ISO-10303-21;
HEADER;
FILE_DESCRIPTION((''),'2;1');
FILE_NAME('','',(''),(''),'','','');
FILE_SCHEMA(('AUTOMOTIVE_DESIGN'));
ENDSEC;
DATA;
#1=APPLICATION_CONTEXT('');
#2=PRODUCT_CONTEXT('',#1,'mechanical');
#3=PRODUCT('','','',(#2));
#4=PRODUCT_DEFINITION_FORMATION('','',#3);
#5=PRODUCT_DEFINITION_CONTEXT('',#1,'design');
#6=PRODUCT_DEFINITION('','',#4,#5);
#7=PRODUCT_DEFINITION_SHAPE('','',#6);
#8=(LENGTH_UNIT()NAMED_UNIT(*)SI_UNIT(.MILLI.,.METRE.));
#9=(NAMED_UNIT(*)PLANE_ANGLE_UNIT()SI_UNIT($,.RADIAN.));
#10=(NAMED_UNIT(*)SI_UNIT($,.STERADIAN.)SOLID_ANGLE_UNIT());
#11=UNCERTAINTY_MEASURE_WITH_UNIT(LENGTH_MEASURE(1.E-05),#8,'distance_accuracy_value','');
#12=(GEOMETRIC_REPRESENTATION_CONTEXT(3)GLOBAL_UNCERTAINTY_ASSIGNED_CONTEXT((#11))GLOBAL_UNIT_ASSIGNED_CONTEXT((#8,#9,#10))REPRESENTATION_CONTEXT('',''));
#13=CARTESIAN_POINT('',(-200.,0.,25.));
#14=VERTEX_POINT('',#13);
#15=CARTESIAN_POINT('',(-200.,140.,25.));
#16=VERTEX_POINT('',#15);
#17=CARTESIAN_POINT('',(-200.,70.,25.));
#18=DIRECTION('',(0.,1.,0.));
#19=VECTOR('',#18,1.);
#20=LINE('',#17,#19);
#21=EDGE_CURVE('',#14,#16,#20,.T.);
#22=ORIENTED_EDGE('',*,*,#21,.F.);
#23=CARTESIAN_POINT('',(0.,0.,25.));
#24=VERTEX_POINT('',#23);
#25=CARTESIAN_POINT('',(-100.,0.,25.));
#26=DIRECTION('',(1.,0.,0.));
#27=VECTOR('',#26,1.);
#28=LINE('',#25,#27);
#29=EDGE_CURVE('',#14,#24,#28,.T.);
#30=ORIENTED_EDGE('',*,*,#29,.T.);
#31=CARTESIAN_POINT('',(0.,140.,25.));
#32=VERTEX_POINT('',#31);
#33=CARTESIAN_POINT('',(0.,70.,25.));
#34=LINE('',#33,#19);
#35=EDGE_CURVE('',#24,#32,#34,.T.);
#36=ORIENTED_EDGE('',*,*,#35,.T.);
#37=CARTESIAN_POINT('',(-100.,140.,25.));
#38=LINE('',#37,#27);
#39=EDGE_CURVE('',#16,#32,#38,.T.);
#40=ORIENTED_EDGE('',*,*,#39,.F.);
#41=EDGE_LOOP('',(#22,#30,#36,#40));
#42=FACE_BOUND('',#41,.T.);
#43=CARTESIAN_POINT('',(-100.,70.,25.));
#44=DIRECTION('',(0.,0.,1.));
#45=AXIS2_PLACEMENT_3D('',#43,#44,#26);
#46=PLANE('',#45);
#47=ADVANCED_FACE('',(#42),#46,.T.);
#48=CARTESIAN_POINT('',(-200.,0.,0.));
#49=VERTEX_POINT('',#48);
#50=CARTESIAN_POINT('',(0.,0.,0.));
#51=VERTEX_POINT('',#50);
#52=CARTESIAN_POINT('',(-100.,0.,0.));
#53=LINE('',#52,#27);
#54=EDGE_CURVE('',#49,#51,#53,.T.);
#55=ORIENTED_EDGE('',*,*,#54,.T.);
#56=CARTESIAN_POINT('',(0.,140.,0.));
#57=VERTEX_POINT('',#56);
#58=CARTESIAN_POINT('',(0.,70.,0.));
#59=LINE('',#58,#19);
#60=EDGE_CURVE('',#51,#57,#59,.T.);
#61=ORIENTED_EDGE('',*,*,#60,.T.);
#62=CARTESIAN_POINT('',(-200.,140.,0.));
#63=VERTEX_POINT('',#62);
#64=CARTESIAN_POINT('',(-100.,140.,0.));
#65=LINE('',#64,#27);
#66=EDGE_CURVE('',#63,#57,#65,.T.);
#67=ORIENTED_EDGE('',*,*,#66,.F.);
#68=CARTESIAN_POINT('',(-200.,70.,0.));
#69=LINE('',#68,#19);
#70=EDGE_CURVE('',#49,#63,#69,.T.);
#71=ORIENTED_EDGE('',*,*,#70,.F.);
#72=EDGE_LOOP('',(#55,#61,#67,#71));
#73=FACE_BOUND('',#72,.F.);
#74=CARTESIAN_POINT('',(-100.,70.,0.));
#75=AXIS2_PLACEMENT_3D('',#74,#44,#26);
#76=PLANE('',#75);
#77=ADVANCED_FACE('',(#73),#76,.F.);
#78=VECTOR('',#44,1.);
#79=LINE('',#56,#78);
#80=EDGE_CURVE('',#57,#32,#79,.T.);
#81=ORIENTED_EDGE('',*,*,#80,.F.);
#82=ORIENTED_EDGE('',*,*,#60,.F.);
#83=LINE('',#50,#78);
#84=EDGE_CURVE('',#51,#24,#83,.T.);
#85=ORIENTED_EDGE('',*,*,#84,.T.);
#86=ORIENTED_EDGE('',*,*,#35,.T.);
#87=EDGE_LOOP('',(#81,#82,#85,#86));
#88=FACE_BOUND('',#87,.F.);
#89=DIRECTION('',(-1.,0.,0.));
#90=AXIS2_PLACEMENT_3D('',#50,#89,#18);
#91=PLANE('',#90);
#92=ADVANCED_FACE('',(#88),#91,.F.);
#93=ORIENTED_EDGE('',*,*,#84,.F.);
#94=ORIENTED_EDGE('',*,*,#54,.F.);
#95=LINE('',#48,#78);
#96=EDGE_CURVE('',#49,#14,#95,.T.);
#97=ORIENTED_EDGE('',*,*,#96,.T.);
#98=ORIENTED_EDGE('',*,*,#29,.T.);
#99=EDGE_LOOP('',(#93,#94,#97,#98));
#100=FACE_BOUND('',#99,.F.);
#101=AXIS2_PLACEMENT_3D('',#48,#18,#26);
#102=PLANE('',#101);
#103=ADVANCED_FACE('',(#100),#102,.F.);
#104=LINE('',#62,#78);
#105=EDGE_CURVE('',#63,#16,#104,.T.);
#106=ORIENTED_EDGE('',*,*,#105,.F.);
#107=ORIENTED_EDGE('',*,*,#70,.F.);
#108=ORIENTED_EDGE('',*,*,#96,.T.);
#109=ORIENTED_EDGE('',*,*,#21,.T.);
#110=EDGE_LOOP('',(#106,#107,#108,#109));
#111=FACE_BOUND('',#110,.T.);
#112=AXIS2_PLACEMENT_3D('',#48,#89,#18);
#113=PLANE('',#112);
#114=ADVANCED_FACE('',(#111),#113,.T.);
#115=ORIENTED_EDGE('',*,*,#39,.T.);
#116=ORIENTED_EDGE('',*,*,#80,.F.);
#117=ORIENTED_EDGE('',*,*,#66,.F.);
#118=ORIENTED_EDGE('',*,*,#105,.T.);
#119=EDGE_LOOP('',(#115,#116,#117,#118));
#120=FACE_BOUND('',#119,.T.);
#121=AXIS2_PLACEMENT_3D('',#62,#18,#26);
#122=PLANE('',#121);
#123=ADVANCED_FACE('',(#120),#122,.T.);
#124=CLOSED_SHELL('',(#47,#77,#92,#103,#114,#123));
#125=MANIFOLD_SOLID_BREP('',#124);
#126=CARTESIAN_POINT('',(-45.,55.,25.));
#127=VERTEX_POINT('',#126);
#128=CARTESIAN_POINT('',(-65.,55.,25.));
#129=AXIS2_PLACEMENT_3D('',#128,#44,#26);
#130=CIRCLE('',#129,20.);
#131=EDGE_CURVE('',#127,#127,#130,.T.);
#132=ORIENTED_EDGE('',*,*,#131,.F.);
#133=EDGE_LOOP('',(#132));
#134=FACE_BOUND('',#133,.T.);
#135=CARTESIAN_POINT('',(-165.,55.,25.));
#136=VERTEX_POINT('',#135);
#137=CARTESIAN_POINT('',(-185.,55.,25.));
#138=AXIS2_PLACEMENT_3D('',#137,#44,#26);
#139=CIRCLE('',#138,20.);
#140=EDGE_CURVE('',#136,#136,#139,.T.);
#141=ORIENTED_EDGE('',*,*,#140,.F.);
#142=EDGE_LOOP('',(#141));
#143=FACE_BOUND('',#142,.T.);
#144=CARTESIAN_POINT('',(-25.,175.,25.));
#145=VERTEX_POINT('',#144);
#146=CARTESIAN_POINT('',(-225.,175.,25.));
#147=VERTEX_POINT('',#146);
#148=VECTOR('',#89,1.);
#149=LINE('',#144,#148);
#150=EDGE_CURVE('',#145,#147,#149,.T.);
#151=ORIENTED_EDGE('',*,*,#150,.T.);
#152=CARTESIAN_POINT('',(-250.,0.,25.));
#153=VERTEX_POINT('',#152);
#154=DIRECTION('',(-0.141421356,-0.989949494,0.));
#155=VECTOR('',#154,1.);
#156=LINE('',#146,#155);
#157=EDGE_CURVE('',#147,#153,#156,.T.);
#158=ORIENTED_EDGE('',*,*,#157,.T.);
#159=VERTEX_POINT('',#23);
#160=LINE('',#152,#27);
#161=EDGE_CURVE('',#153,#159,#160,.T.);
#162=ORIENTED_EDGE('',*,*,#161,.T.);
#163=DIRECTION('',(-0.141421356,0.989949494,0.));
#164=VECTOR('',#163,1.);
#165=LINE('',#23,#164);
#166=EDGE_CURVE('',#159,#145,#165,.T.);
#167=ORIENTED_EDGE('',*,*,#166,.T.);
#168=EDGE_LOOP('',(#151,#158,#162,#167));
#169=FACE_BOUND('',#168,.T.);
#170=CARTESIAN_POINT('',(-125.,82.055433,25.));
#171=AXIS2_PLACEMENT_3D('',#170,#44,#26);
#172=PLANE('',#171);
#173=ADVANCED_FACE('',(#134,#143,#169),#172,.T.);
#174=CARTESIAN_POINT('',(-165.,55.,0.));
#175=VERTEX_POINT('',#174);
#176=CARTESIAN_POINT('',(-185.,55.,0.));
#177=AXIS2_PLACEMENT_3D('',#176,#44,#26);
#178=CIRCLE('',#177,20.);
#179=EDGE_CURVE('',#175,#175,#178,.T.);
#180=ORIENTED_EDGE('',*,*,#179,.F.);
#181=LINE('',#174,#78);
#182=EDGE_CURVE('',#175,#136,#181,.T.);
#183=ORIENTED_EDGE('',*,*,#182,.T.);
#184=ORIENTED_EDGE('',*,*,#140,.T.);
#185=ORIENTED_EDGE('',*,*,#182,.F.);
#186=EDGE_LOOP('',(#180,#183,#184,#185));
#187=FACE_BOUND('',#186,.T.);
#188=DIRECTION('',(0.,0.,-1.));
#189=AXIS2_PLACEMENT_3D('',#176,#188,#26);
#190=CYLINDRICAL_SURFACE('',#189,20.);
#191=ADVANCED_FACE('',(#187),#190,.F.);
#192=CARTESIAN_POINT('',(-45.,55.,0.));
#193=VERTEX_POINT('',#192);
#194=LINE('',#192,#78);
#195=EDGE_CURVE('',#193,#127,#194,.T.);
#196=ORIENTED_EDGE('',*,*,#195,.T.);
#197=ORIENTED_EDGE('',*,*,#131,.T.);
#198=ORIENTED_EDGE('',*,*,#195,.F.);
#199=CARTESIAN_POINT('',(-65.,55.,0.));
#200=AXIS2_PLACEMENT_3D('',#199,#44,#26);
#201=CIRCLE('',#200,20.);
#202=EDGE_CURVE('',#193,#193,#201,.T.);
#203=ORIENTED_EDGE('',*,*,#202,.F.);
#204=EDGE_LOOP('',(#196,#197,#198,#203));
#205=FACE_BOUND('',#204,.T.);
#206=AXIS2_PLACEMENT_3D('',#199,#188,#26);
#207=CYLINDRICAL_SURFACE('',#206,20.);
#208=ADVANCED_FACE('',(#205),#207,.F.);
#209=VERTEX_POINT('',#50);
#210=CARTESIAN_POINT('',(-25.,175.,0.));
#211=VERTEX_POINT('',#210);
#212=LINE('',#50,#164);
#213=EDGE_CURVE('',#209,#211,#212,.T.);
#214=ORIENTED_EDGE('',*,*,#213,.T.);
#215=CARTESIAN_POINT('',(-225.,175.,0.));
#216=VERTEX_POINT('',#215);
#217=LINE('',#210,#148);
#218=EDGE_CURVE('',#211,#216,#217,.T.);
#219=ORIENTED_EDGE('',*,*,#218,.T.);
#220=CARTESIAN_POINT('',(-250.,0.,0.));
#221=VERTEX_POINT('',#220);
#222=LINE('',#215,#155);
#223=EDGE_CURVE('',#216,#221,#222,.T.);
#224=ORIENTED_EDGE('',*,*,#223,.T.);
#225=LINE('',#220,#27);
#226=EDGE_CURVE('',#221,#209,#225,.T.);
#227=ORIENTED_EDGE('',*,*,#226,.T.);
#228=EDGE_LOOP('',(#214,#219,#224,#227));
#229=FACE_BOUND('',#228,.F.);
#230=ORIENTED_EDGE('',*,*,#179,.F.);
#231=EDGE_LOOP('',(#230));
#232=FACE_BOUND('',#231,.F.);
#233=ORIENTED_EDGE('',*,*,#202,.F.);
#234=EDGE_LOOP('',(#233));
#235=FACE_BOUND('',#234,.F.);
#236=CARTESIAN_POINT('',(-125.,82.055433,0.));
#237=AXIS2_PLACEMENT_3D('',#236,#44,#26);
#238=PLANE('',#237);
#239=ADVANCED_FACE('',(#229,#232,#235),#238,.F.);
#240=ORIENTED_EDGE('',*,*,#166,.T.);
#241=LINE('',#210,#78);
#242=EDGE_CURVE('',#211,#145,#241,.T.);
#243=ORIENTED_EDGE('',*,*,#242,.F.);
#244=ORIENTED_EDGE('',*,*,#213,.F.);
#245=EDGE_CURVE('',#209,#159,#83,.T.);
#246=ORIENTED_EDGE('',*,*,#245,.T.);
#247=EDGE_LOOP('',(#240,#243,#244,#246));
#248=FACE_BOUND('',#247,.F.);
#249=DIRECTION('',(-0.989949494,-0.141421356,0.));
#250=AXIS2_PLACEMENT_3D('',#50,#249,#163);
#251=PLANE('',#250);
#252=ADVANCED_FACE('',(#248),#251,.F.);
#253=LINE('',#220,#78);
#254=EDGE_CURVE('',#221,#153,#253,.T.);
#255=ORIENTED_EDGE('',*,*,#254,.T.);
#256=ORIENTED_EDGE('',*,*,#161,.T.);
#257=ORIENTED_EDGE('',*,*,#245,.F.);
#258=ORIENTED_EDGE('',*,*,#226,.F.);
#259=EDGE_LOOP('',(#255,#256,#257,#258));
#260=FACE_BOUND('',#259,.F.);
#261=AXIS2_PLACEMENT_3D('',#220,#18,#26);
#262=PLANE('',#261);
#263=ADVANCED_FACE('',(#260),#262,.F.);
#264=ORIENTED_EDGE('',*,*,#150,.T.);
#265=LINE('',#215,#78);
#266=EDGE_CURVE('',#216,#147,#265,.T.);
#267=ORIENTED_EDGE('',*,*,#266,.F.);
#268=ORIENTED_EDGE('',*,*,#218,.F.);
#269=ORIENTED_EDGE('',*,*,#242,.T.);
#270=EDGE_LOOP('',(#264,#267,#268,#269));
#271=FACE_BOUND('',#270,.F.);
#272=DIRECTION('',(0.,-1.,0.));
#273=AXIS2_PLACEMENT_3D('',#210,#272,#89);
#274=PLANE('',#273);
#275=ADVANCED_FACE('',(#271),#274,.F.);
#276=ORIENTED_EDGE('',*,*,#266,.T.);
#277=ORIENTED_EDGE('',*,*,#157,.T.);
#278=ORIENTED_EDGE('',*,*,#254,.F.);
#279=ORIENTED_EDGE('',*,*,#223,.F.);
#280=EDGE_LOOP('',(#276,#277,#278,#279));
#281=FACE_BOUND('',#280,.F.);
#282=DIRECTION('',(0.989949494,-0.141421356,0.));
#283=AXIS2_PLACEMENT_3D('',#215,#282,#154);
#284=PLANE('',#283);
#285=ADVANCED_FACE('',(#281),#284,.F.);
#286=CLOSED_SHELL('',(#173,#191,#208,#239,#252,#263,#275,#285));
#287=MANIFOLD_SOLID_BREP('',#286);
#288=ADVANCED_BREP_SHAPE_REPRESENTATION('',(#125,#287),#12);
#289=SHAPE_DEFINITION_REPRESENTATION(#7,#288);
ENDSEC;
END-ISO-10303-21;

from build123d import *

# Parameters (mm, degrees)
F0_W     = 200
F0_H     = 140
F1_DEPTH = 25
F2_R     = 20
F3_DEPTH = 25


with BuildPart() as f1:
    # F0 (on Top) → F1 (new body)
    with BuildSketch(Plane.XY):
        with Locations((-100, 70)):
            Rectangle(F0_W, F0_H)
    extrude(amount=F1_DEPTH)


with BuildPart() as f3:
    # F2 (on Top) → F3 (new body)
    with BuildSketch(Plane.XY):
        Polygon((-250, 0), (0, 0), (-25, 175), (-225, 175), align=None)
        with Locations((-185, 55)):
            Circle(F2_R, mode=Mode.SUBTRACT)
        with Locations((-65, 55)):
            Circle(F2_R, mode=Mode.SUBTRACT)
    extrude(amount=F3_DEPTH)


solid = Compound([f1.part, f3.part])
